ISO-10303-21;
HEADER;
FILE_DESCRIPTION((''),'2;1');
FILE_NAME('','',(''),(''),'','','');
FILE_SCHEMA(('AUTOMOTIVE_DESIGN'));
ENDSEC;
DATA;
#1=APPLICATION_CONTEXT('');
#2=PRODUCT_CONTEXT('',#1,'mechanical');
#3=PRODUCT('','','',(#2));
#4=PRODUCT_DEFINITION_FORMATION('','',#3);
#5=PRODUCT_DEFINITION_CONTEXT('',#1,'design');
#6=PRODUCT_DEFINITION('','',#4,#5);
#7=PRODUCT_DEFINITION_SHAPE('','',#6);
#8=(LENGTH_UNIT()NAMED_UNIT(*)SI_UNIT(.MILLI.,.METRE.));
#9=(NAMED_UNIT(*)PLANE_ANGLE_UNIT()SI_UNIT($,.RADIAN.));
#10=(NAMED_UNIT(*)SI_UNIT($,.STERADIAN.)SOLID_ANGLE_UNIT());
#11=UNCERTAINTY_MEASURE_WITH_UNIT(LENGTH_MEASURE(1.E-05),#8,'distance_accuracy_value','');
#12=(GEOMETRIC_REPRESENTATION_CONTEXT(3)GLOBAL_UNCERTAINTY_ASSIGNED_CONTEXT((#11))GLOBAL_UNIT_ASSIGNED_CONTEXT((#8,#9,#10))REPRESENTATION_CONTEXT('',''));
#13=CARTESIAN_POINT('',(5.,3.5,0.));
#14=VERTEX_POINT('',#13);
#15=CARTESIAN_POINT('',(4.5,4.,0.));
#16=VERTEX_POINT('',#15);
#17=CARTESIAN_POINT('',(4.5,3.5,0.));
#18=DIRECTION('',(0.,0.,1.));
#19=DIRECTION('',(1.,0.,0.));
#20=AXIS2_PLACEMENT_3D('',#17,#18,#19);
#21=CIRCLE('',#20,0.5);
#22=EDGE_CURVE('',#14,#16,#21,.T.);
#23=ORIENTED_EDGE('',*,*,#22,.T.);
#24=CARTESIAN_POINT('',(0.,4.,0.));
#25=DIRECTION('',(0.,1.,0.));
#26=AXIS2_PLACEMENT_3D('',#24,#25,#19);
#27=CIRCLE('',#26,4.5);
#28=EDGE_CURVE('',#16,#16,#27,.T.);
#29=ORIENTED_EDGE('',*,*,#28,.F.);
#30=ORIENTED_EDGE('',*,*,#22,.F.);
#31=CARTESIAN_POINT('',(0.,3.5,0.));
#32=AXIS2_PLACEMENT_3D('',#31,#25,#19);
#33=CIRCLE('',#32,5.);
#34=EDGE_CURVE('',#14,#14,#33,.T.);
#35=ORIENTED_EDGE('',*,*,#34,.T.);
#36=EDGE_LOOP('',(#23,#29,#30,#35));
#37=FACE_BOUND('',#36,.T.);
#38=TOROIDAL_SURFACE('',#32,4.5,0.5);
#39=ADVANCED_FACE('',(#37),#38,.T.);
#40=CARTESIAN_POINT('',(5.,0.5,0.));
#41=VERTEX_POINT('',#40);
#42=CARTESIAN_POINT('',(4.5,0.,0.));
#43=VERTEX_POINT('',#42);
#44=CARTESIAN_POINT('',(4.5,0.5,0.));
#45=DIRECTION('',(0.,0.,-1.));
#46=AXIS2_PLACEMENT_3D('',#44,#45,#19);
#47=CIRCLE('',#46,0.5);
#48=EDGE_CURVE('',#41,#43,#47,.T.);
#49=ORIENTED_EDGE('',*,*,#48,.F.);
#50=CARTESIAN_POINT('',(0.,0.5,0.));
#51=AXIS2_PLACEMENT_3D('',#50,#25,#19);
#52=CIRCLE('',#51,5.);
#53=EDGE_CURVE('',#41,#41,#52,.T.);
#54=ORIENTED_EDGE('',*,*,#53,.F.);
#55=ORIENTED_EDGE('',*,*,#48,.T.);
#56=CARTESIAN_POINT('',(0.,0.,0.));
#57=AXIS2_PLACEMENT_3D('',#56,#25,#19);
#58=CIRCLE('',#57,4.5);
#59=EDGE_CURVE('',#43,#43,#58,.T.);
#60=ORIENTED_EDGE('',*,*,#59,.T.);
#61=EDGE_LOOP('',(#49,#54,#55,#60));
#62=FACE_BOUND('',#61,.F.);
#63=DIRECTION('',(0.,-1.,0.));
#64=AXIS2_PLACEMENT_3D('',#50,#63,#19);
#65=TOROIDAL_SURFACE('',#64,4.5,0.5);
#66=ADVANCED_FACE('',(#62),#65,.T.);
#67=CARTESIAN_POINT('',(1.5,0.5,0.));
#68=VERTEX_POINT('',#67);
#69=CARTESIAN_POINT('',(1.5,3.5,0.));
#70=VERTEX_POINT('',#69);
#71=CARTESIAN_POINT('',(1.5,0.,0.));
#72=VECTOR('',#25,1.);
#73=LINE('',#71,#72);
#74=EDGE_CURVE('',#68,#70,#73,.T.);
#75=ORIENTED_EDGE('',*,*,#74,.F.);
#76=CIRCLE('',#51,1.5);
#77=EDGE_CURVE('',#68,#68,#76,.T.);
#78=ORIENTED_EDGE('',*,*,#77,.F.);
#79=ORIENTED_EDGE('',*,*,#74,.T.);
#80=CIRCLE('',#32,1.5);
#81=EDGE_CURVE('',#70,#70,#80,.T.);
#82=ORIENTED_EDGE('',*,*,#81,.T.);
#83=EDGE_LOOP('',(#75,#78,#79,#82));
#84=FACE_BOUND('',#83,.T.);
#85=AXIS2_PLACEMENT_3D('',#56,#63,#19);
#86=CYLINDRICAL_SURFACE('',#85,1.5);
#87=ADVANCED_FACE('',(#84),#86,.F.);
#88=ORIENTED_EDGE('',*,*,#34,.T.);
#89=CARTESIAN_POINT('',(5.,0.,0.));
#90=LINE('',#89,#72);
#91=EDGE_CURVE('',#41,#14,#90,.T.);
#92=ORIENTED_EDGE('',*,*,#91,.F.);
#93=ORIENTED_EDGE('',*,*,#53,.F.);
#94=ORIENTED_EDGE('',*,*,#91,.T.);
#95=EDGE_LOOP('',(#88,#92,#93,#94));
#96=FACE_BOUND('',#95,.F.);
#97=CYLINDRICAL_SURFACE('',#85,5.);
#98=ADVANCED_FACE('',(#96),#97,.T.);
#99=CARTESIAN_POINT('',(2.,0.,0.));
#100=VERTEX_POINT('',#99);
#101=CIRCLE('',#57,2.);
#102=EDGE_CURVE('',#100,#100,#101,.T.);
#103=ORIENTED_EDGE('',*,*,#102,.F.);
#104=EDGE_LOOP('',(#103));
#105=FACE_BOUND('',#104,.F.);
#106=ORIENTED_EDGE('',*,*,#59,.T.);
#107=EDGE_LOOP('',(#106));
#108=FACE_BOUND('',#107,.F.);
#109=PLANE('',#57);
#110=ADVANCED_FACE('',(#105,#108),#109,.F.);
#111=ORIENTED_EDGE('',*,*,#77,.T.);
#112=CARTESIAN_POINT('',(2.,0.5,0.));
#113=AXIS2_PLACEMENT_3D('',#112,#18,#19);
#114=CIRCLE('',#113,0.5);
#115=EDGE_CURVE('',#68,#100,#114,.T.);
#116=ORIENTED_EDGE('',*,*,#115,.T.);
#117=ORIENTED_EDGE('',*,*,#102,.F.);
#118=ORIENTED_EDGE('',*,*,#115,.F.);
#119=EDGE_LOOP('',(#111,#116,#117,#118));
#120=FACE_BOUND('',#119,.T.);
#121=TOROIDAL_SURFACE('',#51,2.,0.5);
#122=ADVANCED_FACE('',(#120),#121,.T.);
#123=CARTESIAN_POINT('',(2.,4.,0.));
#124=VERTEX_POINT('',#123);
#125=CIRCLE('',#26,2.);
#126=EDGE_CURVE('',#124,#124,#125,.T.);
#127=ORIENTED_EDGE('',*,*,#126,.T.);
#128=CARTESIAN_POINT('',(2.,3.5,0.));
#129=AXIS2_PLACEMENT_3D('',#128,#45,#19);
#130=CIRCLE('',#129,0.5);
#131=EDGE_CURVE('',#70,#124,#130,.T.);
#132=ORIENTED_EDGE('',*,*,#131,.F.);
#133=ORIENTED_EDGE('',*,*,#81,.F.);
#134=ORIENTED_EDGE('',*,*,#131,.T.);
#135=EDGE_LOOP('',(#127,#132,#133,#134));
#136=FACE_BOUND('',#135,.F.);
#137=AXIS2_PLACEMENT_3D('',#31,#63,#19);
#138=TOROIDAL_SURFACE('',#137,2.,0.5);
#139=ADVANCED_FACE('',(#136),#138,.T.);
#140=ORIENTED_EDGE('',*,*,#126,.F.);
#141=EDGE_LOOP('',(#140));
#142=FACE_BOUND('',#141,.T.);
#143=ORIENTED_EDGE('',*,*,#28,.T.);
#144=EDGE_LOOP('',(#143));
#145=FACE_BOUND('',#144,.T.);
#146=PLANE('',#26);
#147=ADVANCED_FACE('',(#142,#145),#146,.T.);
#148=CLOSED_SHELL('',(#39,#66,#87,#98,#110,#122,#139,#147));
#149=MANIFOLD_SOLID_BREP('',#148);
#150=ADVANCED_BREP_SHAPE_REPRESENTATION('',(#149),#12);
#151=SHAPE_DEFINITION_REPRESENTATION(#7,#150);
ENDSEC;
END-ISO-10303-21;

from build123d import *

# Parameters (mm, degrees)
SKETCH1_R           = 5
SKETCH1_R_2         = 1.5
BOSS_EXTRUDE1_DEPTH = 4
FILLET1_R           = 0.5


with BuildPart() as part:
    # Sketch1 → Boss-Extrude1 (new body)
    with BuildSketch(Plane(origin=(0, 0, 0), x_dir=(1, 0, 0), z_dir=(0, 1, 0))):
        Circle(SKETCH1_R)
        Circle(SKETCH1_R_2, mode=Mode.SUBTRACT)
    extrude(amount=BOSS_EXTRUDE1_DEPTH)

    # Fillet1
    fillet1_edges = [part.edges().sort_by_distance(p)[0] for p in [
        (-5, 0, 0),
        (-5, 4, 0),
        (-1.5, 0, 0),
        (-1.5, 4, 0),
    ]]
    fillet(fillet1_edges, radius=FILLET1_R)


solid = part.part
